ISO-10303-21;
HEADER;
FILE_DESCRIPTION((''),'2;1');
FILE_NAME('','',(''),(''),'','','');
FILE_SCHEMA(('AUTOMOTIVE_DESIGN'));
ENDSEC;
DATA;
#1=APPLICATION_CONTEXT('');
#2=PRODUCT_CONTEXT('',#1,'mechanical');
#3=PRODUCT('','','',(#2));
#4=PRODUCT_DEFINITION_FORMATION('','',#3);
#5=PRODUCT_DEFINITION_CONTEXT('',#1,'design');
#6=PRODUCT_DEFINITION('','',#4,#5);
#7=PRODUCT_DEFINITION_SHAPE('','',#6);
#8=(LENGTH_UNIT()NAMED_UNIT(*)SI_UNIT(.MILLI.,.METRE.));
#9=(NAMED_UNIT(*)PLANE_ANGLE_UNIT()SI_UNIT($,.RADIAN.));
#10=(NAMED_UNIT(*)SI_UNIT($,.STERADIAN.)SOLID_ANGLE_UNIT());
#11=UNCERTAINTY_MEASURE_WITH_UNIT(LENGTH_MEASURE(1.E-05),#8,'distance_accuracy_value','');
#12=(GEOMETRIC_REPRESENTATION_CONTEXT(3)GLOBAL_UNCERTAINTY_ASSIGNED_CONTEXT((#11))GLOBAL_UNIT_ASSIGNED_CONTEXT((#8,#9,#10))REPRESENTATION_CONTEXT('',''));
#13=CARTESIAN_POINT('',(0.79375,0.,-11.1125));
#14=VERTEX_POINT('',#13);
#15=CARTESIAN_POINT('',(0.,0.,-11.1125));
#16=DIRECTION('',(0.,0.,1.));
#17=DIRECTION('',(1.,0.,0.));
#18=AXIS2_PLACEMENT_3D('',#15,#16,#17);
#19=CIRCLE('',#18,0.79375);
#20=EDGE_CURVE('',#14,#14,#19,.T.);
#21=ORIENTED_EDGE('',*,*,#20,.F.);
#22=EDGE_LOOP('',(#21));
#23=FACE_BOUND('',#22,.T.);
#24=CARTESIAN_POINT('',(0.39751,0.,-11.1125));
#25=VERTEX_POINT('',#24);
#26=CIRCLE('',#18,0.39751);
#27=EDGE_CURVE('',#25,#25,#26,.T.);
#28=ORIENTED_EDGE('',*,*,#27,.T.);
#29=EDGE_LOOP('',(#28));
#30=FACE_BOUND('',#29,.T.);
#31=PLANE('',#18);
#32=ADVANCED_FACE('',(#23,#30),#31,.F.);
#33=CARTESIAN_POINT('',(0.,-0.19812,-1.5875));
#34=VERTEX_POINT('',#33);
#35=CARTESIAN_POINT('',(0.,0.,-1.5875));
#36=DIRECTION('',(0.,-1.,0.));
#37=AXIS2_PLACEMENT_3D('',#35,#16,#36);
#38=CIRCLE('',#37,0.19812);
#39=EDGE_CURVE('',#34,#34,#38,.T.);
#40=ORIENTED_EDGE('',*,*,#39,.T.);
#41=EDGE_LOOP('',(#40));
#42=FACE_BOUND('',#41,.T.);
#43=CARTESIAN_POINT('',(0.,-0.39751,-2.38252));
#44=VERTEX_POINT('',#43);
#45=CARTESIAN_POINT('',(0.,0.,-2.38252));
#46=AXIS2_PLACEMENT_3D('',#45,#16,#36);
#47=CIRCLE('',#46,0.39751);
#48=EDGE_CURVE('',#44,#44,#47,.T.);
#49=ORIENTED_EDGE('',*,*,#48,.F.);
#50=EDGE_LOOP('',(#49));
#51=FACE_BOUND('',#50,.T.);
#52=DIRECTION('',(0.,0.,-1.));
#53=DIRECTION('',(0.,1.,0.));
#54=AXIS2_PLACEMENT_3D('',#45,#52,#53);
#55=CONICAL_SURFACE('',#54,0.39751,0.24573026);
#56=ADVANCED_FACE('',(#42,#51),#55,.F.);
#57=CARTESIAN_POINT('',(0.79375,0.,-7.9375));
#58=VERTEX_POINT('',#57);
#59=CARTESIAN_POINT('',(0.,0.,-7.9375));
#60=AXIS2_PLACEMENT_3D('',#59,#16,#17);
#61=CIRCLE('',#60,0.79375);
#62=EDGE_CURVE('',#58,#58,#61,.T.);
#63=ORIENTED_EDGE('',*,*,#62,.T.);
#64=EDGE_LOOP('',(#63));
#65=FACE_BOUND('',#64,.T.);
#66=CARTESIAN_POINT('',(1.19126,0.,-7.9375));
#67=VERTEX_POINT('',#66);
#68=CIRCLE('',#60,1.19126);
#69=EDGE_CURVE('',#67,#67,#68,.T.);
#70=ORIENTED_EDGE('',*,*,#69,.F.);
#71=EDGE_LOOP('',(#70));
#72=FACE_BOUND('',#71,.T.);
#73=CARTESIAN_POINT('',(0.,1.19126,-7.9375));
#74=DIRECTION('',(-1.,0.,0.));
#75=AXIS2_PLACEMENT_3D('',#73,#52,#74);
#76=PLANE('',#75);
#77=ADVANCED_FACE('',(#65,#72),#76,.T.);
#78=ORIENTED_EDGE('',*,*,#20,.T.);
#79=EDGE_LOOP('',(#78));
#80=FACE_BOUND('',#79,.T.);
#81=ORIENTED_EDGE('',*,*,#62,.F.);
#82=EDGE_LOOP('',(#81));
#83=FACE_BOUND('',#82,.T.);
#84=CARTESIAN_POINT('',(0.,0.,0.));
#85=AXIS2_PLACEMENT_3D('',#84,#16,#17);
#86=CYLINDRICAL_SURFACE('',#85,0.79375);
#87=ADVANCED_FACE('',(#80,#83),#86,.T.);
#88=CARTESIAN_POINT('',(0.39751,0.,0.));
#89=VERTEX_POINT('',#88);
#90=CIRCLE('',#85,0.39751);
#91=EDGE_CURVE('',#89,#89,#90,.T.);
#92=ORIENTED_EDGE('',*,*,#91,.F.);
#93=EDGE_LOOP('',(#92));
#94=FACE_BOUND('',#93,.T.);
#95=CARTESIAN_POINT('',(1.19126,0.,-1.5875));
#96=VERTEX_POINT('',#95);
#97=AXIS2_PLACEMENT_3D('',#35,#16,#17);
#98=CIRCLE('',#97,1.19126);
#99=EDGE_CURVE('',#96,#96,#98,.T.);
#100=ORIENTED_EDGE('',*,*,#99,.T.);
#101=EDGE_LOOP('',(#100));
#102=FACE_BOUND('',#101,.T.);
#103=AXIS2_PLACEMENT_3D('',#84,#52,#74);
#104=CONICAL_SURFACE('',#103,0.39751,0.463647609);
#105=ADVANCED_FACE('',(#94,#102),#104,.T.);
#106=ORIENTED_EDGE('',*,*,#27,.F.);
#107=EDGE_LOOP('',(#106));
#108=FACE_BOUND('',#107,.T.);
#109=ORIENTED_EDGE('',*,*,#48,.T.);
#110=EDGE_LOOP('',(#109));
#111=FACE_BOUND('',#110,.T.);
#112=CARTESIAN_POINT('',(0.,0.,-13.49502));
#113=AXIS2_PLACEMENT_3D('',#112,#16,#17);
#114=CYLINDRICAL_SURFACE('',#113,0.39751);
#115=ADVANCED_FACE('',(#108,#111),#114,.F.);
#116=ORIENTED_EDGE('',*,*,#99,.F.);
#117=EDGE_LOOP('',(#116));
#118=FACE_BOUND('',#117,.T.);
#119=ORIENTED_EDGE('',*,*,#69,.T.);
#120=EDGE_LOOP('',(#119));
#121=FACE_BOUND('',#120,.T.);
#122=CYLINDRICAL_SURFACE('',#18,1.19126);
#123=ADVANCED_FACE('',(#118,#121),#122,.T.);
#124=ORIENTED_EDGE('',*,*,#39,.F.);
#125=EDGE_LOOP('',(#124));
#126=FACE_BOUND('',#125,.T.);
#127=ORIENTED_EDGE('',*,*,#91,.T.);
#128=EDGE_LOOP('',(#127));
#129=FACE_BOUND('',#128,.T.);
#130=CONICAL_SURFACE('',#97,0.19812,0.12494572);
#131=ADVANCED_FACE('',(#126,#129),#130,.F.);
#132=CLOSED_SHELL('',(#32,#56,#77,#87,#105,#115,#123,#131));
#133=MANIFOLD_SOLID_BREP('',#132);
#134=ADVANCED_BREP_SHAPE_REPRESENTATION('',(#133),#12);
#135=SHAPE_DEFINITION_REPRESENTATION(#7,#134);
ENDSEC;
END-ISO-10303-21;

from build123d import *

# Parameters (mm, degrees)
SKETCH1_R           = 1.19126
BOSS_EXTRUDE1_DEPTH = 11.1125
SKETCH4_W           = 3.175
SKETCH4_H           = 0.39751
CUT_EXTRUDE1_START  = -2.38252
SKETCH6_R           = 0.39751
CUT_EXTRUDE1_DEPTH  = 11.1125


with BuildPart() as part:
    # Sketch1 → Boss-Extrude1 (new body)
    with BuildSketch(Plane.XY):
        Circle(SKETCH1_R)
    extrude(amount=-BOSS_EXTRUDE1_DEPTH)

    # Sketch2 → Cut-Revolve1 (revolve, cut)
    with BuildSketch(Plane(origin=(0, 0, 0), x_dir=(0, 0, -1), z_dir=(1, 0, 0))):
        Polygon((0, 0.39751), (1.5875, 1.19126), (0, 1.19126), align=None)
    revolve(axis=Axis((0, 0, 0), (0, 0, -1)), mode=Mode.SUBTRACT)

    # Sketch4 → Cut-Revolve2 (revolve, cut)
    with BuildSketch(Plane(origin=(0, 0, 0), x_dir=(0, 0, -1), z_dir=(1, 0, 0))):
        with Locations((9.525, 0.992505)):
            Rectangle(SKETCH4_W, SKETCH4_H)
    revolve(axis=Axis((0, 0, 0), (0, 0, -1)), mode=Mode.SUBTRACT)

    # Sketch5 → Cut-Revolve3 (revolve, cut)
    with BuildSketch(Plane(origin=(0, 0, 0), x_dir=(0, 0, -1), z_dir=(1, 0, 0))):
        Polygon((0, 0.39751), (1.5875, 0.19812), (1.5875, 0), (0, 0), align=None)
    revolve(axis=Axis((0, 0, 0), (0, 0, -1)), mode=Mode.SUBTRACT)

    # Sketch6 → Cut-Extrude1 (cut)
    with BuildSketch(Plane.XY.offset(CUT_EXTRUDE1_START)):
        Circle(SKETCH6_R)
    extrude(amount=-CUT_EXTRUDE1_DEPTH, mode=Mode.SUBTRACT)

    # Sketch7 → Cut-Revolve4 (revolve, cut)
    with BuildSketch(Plane(origin=(0, 0, 0), x_dir=(0, 0, -1), z_dir=(1, 0, 0))):
        Polygon((1.5875, 0.19812), (2.38252, 0.39751), (2.38252, 0), (1.5875, 0), align=None)
    revolve(axis=Axis((0, 0, 0), (0, 0, -1)), mode=Mode.SUBTRACT)


solid = part.part
